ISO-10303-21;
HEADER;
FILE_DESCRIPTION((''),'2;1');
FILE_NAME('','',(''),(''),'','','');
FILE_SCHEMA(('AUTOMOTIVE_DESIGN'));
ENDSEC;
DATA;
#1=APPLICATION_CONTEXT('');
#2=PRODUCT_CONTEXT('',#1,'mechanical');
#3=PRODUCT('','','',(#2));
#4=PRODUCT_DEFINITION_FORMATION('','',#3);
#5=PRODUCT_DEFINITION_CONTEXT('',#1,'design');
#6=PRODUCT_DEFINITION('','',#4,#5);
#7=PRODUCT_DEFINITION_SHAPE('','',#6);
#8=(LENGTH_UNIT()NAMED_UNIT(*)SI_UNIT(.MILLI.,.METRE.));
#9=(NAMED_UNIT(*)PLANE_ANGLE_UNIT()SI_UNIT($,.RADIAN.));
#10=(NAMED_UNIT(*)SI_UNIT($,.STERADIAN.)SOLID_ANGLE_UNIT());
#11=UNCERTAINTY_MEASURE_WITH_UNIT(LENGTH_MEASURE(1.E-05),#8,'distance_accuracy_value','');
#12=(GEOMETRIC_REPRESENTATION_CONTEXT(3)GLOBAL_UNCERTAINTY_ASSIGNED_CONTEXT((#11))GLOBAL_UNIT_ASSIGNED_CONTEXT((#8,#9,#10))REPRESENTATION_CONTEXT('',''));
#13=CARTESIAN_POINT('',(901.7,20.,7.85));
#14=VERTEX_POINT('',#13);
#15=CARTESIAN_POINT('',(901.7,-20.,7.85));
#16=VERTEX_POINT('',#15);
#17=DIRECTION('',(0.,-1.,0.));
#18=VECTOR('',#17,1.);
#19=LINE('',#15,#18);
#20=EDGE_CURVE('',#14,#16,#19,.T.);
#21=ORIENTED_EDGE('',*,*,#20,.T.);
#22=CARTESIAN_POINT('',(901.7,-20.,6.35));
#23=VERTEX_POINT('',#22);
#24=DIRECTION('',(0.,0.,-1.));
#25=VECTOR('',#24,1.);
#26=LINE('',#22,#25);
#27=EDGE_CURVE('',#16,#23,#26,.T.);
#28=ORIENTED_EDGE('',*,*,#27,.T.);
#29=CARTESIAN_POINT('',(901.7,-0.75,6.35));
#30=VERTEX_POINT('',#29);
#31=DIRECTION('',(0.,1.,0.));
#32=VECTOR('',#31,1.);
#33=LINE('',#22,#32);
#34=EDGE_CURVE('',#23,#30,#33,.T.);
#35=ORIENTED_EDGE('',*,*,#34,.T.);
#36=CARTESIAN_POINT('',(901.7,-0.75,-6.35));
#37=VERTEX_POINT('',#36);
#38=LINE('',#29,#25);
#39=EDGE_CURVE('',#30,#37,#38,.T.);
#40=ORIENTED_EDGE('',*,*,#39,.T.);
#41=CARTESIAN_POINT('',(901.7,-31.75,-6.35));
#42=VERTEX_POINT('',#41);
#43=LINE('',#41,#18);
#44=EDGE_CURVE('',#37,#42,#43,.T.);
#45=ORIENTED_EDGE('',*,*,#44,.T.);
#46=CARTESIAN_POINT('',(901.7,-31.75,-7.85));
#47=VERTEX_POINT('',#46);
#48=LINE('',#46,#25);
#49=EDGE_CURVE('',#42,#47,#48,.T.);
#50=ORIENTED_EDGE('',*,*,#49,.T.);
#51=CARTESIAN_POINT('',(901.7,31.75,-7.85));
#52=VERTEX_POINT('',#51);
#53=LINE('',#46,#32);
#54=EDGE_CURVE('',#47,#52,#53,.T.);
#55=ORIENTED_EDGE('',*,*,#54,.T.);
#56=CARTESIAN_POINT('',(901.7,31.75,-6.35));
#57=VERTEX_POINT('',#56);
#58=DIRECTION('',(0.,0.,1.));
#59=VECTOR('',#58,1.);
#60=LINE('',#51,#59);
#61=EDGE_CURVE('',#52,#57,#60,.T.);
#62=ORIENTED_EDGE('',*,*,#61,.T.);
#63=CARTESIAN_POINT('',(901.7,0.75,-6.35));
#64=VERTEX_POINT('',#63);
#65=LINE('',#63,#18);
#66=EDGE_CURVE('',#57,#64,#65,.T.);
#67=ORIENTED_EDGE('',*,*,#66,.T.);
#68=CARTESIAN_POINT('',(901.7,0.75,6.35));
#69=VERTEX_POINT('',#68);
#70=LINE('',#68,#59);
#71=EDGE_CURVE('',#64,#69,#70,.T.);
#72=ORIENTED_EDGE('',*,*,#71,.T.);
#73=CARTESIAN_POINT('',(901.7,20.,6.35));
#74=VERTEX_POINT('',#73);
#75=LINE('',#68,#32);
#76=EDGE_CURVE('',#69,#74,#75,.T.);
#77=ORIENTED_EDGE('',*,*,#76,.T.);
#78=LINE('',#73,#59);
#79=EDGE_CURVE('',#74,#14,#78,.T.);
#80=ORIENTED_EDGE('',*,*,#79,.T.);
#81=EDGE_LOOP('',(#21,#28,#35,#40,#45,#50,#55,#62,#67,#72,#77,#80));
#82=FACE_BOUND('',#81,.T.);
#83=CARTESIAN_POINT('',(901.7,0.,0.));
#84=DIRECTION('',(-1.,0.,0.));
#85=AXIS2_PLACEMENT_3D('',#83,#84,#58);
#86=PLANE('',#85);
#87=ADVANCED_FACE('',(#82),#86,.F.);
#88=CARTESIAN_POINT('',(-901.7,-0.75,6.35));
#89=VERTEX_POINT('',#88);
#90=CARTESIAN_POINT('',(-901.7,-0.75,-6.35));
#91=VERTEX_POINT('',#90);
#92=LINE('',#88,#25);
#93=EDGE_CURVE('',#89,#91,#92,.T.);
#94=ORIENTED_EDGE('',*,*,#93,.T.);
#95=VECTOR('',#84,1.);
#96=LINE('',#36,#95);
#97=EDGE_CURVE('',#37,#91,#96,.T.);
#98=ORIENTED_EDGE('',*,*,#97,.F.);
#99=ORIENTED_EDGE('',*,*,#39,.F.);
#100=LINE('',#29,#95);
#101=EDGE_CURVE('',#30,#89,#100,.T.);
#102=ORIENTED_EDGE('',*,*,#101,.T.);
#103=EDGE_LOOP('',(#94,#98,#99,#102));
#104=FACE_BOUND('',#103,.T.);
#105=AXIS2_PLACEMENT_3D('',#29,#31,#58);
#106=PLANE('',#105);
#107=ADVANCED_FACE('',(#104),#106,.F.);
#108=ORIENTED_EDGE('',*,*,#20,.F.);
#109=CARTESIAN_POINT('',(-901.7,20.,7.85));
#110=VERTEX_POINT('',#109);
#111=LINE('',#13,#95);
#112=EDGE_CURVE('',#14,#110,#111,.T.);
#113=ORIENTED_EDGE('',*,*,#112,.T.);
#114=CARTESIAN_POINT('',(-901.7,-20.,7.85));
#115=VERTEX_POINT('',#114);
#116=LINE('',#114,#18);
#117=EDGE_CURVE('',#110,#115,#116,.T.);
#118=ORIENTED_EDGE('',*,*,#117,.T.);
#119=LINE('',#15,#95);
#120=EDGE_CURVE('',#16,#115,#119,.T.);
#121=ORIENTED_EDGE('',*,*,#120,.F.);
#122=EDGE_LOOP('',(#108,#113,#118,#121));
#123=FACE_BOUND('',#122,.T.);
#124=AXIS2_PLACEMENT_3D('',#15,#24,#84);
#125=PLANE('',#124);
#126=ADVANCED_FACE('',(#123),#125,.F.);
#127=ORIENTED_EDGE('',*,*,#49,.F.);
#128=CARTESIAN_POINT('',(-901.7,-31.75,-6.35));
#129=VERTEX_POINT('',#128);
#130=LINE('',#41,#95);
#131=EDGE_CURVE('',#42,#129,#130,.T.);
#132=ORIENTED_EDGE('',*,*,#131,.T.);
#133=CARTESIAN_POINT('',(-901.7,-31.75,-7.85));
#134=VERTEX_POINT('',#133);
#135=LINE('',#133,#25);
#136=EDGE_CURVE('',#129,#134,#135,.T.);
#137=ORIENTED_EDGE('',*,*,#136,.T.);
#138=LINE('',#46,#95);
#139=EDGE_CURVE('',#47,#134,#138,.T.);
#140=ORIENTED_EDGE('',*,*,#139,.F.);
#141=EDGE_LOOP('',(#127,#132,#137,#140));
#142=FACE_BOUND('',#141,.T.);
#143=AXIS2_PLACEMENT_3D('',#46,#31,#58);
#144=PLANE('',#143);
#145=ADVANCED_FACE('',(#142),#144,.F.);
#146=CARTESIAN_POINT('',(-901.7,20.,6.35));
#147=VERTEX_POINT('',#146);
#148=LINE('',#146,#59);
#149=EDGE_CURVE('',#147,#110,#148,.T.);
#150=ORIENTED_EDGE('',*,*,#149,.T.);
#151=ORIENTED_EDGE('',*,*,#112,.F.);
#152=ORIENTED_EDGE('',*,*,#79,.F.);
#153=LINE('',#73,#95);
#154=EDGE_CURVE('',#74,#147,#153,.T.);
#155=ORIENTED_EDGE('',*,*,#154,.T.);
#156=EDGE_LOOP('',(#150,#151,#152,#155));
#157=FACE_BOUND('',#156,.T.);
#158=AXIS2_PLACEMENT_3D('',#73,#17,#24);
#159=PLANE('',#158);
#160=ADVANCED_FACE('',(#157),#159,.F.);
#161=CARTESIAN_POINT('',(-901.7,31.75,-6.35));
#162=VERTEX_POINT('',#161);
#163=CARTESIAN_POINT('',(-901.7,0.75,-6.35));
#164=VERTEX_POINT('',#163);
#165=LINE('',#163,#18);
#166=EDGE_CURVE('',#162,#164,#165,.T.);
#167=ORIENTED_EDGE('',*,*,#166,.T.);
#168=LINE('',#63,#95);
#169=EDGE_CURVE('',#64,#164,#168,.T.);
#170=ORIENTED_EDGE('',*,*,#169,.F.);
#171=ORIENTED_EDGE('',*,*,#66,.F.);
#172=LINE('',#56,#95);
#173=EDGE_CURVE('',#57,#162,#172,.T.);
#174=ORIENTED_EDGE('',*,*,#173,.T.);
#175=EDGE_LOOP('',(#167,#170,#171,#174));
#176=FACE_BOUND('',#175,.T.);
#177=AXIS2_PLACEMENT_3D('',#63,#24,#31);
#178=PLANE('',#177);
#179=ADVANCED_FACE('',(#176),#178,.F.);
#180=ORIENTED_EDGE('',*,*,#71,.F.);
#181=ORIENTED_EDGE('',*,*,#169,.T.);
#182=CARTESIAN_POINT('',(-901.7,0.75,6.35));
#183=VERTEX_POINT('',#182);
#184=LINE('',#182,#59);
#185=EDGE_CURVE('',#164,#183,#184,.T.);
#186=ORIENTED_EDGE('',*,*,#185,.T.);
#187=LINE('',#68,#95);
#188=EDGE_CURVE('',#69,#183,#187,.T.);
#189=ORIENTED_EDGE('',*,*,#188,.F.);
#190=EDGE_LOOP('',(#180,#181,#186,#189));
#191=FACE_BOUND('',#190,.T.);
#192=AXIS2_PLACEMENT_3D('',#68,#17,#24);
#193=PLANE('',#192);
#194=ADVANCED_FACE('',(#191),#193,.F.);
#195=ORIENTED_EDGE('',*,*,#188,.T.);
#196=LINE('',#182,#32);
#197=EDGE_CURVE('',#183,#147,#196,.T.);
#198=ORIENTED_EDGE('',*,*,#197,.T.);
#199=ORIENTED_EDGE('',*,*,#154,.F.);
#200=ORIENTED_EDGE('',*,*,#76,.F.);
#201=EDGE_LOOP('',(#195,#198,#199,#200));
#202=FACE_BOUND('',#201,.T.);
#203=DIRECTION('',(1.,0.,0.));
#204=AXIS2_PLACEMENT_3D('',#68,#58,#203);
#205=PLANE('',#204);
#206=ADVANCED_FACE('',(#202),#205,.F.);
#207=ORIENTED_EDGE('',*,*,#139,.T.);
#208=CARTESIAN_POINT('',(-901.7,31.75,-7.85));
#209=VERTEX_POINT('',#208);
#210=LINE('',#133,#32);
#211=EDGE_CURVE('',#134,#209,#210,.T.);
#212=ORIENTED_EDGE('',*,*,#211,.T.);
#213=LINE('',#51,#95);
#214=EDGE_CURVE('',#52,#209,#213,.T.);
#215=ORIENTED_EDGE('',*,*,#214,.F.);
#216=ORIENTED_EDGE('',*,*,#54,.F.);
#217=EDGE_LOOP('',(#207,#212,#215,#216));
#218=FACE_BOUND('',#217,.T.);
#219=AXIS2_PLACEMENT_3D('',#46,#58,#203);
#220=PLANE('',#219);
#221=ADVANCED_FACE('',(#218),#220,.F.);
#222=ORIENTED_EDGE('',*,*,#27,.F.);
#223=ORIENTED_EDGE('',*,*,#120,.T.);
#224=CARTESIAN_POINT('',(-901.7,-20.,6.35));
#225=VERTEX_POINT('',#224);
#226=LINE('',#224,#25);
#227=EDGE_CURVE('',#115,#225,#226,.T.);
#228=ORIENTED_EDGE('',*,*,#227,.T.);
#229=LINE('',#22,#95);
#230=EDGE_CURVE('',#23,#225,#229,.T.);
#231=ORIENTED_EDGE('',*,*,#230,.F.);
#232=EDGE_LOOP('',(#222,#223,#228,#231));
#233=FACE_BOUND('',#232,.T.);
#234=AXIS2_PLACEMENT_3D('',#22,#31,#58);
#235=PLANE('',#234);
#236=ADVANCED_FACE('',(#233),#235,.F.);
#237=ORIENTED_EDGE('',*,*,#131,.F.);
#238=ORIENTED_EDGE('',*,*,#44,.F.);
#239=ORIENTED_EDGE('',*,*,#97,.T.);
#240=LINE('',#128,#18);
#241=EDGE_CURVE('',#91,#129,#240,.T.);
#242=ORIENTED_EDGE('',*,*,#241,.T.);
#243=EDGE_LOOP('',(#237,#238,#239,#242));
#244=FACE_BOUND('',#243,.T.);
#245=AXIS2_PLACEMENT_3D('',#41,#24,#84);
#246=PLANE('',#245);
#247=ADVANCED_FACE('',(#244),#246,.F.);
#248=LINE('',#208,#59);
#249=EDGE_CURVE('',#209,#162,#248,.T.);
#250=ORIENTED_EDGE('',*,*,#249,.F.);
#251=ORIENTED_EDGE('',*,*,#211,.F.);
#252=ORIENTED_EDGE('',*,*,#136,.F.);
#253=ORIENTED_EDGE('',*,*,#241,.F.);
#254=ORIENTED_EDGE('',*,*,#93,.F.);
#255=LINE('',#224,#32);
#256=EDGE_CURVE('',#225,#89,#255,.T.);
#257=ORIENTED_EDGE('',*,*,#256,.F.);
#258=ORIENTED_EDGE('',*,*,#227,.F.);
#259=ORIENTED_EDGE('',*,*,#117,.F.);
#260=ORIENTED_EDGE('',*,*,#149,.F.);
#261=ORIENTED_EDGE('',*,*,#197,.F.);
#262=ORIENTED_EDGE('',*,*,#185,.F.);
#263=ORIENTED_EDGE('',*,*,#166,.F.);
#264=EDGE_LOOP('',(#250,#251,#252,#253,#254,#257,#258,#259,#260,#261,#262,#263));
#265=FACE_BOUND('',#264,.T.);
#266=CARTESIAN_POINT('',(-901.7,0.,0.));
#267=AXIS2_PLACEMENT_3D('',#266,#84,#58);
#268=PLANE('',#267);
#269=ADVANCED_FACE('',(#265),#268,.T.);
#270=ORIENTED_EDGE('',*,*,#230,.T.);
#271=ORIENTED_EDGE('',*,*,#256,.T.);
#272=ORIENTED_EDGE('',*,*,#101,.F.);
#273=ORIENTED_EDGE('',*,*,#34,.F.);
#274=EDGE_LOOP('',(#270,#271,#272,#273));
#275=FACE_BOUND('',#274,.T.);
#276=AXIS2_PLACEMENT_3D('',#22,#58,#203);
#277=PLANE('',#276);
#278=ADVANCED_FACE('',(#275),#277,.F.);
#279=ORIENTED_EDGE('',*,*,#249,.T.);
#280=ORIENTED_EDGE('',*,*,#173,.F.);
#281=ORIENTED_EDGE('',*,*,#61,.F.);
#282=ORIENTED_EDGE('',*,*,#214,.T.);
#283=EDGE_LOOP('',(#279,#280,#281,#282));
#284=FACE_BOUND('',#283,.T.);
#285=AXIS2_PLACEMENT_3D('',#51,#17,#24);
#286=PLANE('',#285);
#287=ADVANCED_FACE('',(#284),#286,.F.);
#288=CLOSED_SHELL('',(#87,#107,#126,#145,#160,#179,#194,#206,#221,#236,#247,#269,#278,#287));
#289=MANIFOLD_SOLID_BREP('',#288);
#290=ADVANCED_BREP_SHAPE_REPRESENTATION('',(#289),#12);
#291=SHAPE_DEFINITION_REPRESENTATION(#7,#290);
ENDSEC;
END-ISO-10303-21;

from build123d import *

# Parameters (mm, degrees)
BOSS_EXTRUDE1_DEPTH = 901.7


with BuildPart() as part:
    # Sketch1 → Boss-Extrude1 (new body, symmetric)
    with BuildSketch(Plane(origin=(0, 0, 0), x_dir=(0, 0, -1), z_dir=(1, 0, 0))):
        Polygon((-6.35, -0.75), (6.35, -0.75), (6.35, -31.75), (7.85, -31.75), (7.85, 31.75), (6.35, 31.75), (6.35, 0.75), (-6.35, 0.75), (-6.35, 20), (-7.85, 20), (-7.85, -20), (-6.35, -20), align=None)
    extrude(amount=BOSS_EXTRUDE1_DEPTH, both=True)


solid = part.part
